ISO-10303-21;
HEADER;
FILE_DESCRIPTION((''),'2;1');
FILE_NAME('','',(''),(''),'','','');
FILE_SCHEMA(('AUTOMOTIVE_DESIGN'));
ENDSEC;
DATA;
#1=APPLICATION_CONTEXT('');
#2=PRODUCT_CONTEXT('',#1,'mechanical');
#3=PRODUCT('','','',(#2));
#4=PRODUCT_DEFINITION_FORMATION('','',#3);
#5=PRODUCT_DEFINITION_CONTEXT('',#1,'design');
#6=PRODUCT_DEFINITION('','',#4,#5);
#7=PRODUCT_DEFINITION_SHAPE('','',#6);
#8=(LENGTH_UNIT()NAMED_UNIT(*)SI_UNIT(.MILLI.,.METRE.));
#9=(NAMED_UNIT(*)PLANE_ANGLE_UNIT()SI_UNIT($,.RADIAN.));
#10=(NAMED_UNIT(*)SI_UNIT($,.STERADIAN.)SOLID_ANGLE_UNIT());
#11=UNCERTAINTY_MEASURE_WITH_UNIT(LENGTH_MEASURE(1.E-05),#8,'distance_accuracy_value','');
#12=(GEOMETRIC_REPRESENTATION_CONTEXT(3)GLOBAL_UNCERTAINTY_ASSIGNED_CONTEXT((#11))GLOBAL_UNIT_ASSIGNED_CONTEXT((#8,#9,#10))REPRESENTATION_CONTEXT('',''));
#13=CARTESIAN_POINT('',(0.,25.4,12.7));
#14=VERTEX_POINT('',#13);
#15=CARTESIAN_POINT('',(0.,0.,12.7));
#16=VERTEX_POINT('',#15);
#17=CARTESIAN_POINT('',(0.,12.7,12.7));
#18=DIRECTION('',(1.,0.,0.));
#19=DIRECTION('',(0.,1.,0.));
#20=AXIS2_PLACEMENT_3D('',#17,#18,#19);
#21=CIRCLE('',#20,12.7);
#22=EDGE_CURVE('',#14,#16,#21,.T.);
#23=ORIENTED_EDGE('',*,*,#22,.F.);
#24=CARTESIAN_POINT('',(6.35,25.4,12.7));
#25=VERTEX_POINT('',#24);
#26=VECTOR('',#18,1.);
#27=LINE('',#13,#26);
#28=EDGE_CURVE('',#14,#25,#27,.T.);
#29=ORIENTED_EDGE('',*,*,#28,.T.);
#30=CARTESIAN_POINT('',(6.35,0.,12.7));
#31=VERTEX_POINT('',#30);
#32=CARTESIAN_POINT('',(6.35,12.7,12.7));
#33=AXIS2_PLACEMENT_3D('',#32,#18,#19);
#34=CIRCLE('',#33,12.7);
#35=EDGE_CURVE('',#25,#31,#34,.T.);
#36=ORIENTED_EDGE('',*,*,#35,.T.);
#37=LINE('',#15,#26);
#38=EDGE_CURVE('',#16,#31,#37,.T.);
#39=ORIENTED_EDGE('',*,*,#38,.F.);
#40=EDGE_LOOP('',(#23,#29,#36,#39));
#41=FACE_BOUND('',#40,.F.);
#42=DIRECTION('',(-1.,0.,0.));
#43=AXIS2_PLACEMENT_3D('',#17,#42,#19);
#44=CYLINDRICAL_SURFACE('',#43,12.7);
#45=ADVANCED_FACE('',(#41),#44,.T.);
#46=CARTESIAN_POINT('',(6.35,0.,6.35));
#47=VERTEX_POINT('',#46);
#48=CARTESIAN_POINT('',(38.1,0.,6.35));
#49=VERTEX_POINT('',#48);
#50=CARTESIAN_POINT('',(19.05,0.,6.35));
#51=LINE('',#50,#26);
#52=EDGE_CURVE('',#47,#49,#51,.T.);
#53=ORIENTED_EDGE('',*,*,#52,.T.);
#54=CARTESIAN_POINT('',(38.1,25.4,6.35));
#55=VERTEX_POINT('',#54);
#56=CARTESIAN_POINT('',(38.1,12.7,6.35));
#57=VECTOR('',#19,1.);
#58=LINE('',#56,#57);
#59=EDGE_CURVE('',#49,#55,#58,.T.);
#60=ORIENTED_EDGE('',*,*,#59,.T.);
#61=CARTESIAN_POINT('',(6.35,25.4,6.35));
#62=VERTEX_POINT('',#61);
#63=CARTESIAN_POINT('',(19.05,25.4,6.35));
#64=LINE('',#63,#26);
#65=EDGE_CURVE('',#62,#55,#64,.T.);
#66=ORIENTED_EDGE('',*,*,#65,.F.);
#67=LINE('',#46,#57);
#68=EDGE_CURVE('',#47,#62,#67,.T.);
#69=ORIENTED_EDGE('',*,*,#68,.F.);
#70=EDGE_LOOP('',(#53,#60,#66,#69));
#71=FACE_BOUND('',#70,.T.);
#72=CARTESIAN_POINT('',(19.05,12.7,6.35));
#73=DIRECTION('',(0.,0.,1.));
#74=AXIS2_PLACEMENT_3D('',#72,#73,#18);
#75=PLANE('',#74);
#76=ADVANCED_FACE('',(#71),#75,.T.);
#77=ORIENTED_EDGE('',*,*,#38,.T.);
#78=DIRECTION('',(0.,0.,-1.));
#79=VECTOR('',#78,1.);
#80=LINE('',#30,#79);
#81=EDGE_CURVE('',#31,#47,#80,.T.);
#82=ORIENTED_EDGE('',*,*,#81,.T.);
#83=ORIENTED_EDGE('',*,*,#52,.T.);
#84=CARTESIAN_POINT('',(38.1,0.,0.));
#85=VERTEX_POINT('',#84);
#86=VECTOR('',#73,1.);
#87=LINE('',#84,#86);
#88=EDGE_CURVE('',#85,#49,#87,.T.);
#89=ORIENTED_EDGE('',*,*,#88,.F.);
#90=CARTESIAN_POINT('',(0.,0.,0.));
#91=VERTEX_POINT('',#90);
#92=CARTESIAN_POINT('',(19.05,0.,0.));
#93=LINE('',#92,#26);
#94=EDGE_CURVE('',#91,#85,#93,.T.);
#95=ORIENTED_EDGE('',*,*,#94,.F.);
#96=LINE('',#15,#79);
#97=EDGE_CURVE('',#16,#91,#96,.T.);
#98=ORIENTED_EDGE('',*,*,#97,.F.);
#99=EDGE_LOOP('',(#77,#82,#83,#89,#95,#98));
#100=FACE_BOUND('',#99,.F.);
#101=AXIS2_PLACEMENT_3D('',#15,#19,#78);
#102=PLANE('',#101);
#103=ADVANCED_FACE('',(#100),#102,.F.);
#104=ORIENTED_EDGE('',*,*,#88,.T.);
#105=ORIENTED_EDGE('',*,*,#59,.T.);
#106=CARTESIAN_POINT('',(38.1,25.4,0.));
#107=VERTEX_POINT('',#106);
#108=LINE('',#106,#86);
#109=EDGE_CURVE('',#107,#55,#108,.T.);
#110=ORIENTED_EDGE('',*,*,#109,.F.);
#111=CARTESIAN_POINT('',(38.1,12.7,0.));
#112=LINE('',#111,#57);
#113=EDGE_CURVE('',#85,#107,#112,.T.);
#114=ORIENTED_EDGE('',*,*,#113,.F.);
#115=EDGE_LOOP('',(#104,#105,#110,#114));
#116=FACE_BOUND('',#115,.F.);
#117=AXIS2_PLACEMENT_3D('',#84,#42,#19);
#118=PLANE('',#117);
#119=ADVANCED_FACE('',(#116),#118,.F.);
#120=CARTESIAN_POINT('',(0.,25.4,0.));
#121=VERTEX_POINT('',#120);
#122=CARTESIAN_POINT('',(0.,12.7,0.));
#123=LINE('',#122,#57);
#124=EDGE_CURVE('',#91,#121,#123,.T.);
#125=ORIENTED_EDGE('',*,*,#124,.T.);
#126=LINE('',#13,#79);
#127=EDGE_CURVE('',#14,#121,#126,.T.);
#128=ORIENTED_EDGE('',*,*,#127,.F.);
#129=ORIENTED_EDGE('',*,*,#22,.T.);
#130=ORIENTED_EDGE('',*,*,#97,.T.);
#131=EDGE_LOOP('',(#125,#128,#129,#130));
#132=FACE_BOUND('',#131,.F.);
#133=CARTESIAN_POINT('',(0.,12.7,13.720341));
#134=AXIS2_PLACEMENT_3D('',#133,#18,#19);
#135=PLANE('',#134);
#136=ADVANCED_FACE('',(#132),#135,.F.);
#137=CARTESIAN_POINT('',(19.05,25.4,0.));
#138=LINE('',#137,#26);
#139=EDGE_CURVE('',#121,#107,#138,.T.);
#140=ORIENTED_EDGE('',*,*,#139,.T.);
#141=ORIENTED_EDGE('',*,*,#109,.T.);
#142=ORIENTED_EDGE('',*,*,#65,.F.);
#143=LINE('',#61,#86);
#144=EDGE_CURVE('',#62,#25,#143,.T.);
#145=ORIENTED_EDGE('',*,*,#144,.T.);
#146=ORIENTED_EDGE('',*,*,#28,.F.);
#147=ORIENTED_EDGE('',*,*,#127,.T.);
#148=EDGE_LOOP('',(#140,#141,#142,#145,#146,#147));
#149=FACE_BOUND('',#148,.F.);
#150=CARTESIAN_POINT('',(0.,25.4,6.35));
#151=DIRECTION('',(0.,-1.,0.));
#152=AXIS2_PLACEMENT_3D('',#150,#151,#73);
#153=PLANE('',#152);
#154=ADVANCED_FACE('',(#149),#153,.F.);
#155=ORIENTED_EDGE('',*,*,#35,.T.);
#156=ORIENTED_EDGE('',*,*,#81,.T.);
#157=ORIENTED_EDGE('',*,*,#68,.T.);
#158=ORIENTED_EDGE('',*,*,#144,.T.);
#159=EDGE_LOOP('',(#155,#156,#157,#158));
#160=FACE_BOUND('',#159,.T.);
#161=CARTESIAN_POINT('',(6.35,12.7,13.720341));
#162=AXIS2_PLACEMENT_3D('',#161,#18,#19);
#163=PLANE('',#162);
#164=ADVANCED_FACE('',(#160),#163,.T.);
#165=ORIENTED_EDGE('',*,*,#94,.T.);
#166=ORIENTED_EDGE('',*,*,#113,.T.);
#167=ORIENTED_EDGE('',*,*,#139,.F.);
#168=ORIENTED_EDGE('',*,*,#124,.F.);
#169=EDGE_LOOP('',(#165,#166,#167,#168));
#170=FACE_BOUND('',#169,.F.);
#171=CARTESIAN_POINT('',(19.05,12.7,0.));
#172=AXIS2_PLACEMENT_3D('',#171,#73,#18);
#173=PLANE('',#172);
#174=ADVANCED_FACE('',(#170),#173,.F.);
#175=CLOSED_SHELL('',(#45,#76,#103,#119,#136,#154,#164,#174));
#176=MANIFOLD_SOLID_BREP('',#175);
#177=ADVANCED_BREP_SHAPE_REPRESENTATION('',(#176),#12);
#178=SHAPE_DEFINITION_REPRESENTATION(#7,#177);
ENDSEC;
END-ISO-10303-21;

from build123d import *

# Parameters (mm, degrees)
F0_W     = 38.1
F0_H     = 25.4
F1_DEPTH = 6.35
F3_DEPTH = 6.35


with BuildPart() as f1:
    # F0 (on Top) → F1 (new body)
    with BuildSketch(Plane.XY):
        with Locations((19.05, 12.7)):
            Rectangle(F0_W, F0_H)
    extrude(amount=F1_DEPTH)

    # F2 (on Right) → F3 (join)
    with BuildSketch(Plane.YZ):
        with BuildLine():
            Line((0, 12.7), (0, 6.35))
            Line((0, 6.35), (25.4, 6.35))
            Line((25.4, 6.35), (25.4, 12.7))
            ThreePointArc((25.4, 12.7), (12.7, 25.4), (0, 12.7))
        make_face()
    extrude(amount=F3_DEPTH)


solid = f1.part
